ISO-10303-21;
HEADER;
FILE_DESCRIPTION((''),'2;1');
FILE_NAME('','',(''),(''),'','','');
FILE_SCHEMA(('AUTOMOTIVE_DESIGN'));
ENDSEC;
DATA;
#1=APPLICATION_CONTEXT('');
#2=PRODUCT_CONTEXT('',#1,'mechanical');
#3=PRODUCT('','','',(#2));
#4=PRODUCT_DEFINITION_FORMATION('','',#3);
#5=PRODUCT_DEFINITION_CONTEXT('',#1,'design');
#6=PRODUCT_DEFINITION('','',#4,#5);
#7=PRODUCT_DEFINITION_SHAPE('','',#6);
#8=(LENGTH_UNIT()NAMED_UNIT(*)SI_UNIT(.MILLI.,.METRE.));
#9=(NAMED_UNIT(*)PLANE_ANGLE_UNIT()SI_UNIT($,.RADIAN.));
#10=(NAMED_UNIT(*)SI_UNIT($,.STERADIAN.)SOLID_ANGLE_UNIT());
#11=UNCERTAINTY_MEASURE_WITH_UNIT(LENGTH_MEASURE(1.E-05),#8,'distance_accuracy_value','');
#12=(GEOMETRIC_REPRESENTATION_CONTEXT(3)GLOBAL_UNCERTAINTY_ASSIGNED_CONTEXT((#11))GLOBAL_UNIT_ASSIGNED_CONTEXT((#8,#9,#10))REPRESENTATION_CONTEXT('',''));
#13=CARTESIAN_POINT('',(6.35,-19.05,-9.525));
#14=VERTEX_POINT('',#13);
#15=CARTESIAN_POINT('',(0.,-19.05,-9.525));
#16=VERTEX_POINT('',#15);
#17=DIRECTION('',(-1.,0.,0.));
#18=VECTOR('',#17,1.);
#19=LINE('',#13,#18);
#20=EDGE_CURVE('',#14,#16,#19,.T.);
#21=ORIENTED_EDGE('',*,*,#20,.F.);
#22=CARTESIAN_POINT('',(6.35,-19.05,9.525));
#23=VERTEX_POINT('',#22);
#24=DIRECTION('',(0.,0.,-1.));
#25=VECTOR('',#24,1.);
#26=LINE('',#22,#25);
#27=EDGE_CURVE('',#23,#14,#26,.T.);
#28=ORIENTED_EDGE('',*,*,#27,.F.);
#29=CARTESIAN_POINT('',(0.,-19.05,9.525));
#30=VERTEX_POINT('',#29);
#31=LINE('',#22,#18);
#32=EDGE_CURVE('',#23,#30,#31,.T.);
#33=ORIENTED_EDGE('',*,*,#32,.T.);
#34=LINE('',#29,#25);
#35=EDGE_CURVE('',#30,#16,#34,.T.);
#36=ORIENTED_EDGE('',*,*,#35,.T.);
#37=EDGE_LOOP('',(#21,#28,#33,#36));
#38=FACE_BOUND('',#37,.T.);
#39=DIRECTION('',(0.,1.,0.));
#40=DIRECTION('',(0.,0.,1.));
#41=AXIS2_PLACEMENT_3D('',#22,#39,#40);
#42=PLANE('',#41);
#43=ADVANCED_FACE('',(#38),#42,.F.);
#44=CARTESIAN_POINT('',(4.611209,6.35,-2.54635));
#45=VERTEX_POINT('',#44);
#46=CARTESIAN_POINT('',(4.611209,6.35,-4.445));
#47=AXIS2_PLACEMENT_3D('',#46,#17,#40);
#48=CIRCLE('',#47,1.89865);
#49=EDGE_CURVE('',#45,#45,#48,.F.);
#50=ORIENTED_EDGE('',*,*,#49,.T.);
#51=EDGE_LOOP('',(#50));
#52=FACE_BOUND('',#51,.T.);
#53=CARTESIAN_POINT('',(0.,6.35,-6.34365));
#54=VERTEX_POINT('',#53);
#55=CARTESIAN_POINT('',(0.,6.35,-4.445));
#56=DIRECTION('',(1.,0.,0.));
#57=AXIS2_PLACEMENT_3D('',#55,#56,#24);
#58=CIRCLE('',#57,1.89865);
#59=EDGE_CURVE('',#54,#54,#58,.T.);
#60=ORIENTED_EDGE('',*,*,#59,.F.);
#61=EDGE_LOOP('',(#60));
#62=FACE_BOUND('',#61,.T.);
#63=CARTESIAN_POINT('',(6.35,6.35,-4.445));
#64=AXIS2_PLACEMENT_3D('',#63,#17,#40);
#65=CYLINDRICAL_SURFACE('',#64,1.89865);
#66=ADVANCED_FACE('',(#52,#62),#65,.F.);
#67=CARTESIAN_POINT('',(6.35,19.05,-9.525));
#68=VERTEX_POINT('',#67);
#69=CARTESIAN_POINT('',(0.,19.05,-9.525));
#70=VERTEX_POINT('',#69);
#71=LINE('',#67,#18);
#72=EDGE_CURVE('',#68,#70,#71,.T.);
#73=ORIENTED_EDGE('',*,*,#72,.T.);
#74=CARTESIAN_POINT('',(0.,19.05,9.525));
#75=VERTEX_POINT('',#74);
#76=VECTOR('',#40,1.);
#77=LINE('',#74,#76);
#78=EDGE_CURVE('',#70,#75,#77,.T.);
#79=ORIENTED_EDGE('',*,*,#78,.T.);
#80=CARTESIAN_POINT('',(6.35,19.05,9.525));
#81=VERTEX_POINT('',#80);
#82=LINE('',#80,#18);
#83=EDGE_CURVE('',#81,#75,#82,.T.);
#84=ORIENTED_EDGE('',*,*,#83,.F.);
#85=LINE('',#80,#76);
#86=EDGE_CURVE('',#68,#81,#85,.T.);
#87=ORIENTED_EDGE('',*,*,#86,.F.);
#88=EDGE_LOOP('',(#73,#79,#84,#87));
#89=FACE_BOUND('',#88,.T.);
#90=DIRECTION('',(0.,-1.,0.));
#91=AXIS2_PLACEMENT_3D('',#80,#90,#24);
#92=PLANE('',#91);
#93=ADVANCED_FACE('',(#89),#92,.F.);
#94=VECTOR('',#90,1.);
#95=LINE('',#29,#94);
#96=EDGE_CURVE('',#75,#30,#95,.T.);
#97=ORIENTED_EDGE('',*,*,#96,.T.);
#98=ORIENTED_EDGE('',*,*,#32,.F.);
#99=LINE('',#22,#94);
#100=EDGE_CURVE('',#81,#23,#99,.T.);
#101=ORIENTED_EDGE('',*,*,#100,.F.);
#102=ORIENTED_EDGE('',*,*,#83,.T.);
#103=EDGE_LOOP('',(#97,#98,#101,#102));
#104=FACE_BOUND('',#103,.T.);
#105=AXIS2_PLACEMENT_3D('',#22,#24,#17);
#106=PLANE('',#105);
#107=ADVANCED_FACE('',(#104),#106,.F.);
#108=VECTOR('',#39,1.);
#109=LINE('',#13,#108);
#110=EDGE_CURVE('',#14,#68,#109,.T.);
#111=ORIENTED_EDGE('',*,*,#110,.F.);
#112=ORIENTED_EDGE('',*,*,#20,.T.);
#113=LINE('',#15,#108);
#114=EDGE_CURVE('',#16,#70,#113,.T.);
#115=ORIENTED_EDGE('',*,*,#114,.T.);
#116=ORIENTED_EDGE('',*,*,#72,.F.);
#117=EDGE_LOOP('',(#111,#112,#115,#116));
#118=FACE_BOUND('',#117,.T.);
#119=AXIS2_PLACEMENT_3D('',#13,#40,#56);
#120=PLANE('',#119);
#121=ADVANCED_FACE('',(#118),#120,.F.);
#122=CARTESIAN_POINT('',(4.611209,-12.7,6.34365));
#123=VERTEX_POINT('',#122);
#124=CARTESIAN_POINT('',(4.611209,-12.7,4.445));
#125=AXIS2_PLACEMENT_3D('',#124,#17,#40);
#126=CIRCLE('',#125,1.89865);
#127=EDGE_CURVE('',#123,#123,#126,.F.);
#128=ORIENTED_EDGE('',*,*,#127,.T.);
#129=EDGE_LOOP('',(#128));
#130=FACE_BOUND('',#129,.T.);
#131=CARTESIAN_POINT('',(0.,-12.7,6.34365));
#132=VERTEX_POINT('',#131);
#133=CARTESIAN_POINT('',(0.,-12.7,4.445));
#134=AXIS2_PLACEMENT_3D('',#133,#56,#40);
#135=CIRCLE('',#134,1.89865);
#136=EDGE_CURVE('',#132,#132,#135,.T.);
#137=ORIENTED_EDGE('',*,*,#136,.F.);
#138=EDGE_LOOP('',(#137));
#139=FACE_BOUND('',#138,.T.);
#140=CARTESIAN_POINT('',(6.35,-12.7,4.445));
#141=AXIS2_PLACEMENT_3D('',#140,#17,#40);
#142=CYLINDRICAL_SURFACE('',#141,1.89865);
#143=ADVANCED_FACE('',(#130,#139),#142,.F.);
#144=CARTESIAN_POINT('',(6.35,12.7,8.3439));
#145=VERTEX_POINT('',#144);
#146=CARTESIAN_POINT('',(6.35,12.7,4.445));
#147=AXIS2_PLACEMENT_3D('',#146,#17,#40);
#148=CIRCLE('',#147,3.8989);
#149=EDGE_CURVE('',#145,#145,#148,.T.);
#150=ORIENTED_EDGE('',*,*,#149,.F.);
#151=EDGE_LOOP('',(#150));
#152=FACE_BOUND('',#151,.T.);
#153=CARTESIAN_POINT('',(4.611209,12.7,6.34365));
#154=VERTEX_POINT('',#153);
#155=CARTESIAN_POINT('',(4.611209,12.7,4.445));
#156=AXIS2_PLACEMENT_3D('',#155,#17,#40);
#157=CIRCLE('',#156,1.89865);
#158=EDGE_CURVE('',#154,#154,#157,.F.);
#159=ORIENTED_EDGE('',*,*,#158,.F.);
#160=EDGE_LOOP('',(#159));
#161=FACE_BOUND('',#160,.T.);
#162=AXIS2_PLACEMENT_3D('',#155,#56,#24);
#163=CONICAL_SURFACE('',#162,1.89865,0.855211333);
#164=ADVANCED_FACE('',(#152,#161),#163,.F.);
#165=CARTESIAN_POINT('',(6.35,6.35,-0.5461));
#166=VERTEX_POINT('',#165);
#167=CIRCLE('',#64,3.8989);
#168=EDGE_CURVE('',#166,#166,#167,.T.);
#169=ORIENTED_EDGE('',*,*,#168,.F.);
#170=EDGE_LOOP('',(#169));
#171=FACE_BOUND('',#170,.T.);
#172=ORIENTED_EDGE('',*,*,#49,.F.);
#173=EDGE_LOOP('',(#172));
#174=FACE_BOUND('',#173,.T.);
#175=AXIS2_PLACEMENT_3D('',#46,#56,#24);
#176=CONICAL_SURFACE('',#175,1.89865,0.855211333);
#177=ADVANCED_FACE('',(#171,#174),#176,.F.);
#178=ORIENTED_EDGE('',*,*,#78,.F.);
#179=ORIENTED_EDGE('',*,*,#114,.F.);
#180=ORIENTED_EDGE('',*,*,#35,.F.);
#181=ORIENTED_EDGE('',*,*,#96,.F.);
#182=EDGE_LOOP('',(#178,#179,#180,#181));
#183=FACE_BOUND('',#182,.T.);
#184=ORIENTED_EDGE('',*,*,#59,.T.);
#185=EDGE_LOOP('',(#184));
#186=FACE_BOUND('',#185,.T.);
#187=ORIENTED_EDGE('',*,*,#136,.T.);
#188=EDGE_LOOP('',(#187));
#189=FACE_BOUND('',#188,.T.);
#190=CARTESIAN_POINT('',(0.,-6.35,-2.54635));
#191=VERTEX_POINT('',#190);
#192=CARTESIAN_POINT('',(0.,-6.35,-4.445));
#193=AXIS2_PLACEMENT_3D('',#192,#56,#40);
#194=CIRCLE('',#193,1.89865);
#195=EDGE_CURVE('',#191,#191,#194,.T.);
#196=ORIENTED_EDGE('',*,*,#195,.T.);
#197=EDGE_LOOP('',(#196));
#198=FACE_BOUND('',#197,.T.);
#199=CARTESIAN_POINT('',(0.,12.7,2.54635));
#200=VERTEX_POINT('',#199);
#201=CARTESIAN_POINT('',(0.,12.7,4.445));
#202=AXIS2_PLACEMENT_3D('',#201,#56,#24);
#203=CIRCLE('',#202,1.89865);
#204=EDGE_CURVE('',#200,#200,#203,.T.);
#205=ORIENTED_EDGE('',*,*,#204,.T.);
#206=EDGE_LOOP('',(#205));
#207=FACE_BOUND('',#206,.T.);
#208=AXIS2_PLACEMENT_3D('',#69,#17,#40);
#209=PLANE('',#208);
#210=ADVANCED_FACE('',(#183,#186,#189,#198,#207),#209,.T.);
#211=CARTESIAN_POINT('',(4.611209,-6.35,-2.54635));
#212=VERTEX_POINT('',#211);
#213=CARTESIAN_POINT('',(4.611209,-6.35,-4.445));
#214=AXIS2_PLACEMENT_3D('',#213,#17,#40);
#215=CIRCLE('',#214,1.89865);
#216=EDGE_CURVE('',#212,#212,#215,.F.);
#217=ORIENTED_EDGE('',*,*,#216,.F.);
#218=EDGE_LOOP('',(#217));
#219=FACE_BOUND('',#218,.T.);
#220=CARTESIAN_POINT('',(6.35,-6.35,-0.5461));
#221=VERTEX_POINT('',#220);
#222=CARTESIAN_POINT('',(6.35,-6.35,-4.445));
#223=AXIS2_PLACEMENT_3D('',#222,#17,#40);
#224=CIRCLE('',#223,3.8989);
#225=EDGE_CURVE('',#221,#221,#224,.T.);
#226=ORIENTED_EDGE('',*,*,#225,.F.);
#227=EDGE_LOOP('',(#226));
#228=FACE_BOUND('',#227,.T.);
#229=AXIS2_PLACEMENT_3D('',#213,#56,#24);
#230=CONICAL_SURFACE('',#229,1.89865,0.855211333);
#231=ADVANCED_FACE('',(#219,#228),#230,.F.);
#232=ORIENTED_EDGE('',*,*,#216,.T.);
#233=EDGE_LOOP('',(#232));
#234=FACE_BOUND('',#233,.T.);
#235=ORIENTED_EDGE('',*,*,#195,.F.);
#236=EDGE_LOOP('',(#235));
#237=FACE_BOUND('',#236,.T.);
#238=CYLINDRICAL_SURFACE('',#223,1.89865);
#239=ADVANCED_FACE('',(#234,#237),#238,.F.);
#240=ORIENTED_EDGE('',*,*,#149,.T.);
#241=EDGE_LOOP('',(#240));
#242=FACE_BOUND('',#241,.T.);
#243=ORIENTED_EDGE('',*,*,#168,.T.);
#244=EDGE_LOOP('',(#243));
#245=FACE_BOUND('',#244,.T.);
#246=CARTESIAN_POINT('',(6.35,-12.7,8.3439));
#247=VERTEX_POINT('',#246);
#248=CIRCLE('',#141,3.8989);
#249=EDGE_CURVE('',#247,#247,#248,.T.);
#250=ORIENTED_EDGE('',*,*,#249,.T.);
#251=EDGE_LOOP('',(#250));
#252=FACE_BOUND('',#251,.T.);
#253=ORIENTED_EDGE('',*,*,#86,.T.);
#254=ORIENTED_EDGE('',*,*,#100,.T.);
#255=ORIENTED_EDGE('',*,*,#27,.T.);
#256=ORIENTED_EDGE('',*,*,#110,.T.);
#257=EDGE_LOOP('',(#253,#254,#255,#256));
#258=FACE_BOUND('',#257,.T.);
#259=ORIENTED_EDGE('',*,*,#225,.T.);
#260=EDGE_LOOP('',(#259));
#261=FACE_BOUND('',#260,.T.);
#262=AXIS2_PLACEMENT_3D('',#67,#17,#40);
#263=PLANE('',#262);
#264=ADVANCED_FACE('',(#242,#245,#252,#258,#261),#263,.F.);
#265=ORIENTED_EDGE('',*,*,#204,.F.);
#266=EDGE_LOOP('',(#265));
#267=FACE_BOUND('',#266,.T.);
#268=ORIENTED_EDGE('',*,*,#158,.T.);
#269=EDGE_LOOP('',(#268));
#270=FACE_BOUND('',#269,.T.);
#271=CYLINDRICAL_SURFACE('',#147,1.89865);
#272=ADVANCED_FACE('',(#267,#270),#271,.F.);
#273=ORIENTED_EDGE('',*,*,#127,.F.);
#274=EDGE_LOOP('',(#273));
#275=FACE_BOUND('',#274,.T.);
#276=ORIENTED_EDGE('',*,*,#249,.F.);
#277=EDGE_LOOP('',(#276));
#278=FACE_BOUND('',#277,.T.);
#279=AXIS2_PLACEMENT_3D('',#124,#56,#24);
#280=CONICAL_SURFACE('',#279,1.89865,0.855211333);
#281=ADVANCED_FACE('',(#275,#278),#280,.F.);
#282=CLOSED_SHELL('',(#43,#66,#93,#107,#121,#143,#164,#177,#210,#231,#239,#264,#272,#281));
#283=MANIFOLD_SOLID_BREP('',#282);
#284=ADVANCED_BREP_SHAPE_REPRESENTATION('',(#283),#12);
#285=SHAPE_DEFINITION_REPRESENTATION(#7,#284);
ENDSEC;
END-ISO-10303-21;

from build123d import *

# Parameters (mm, degrees)
SKETCH1_W           = 19.05
SKETCH1_H           = 38.1
SKETCH1_R           = 1.89865
BOSS_EXTRUDE1_DEPTH = 6.35
CHAMFER1_SIZE       = 2.00025
CHAMFER1_SIZE2      = 1.738790797


with BuildPart() as part:
    # Sketch1 → Boss-Extrude1 (new body)
    with BuildSketch(Plane(origin=(0, 0, 0), x_dir=(0, 0, -1), z_dir=(1, 0, 0))):
        Rectangle(SKETCH1_W, SKETCH1_H)
        with Locations((-4.445, 12.7)):
            Circle(SKETCH1_R, mode=Mode.SUBTRACT)
        with Locations((4.445, 6.35)):
            Circle(SKETCH1_R, mode=Mode.SUBTRACT)
        with Locations((-4.445, -12.7)):
            Circle(SKETCH1_R, mode=Mode.SUBTRACT)
        with Locations((4.445, -6.35)):
            Circle(SKETCH1_R, mode=Mode.SUBTRACT)
    extrude(amount=BOSS_EXTRUDE1_DEPTH)

    # Chamfer1
    chamfer1_edges = [part.edges().sort_by_distance(p)[0] for p in [
        (6.35, 12.7, 6.34365),
        (6.35, 6.35, -2.54635),
        (6.35, -12.7, 6.34365),
        (6.35, -6.35, -2.54635),
    ]]
    chamfer1_side = [part.faces().sort_by_distance(p)[0] for p in [
        (6.35, 0, 0),
    ]]
    chamfer(chamfer1_edges, length=CHAMFER1_SIZE, length2=CHAMFER1_SIZE2, reference=chamfer1_side[0])


solid = part.part
